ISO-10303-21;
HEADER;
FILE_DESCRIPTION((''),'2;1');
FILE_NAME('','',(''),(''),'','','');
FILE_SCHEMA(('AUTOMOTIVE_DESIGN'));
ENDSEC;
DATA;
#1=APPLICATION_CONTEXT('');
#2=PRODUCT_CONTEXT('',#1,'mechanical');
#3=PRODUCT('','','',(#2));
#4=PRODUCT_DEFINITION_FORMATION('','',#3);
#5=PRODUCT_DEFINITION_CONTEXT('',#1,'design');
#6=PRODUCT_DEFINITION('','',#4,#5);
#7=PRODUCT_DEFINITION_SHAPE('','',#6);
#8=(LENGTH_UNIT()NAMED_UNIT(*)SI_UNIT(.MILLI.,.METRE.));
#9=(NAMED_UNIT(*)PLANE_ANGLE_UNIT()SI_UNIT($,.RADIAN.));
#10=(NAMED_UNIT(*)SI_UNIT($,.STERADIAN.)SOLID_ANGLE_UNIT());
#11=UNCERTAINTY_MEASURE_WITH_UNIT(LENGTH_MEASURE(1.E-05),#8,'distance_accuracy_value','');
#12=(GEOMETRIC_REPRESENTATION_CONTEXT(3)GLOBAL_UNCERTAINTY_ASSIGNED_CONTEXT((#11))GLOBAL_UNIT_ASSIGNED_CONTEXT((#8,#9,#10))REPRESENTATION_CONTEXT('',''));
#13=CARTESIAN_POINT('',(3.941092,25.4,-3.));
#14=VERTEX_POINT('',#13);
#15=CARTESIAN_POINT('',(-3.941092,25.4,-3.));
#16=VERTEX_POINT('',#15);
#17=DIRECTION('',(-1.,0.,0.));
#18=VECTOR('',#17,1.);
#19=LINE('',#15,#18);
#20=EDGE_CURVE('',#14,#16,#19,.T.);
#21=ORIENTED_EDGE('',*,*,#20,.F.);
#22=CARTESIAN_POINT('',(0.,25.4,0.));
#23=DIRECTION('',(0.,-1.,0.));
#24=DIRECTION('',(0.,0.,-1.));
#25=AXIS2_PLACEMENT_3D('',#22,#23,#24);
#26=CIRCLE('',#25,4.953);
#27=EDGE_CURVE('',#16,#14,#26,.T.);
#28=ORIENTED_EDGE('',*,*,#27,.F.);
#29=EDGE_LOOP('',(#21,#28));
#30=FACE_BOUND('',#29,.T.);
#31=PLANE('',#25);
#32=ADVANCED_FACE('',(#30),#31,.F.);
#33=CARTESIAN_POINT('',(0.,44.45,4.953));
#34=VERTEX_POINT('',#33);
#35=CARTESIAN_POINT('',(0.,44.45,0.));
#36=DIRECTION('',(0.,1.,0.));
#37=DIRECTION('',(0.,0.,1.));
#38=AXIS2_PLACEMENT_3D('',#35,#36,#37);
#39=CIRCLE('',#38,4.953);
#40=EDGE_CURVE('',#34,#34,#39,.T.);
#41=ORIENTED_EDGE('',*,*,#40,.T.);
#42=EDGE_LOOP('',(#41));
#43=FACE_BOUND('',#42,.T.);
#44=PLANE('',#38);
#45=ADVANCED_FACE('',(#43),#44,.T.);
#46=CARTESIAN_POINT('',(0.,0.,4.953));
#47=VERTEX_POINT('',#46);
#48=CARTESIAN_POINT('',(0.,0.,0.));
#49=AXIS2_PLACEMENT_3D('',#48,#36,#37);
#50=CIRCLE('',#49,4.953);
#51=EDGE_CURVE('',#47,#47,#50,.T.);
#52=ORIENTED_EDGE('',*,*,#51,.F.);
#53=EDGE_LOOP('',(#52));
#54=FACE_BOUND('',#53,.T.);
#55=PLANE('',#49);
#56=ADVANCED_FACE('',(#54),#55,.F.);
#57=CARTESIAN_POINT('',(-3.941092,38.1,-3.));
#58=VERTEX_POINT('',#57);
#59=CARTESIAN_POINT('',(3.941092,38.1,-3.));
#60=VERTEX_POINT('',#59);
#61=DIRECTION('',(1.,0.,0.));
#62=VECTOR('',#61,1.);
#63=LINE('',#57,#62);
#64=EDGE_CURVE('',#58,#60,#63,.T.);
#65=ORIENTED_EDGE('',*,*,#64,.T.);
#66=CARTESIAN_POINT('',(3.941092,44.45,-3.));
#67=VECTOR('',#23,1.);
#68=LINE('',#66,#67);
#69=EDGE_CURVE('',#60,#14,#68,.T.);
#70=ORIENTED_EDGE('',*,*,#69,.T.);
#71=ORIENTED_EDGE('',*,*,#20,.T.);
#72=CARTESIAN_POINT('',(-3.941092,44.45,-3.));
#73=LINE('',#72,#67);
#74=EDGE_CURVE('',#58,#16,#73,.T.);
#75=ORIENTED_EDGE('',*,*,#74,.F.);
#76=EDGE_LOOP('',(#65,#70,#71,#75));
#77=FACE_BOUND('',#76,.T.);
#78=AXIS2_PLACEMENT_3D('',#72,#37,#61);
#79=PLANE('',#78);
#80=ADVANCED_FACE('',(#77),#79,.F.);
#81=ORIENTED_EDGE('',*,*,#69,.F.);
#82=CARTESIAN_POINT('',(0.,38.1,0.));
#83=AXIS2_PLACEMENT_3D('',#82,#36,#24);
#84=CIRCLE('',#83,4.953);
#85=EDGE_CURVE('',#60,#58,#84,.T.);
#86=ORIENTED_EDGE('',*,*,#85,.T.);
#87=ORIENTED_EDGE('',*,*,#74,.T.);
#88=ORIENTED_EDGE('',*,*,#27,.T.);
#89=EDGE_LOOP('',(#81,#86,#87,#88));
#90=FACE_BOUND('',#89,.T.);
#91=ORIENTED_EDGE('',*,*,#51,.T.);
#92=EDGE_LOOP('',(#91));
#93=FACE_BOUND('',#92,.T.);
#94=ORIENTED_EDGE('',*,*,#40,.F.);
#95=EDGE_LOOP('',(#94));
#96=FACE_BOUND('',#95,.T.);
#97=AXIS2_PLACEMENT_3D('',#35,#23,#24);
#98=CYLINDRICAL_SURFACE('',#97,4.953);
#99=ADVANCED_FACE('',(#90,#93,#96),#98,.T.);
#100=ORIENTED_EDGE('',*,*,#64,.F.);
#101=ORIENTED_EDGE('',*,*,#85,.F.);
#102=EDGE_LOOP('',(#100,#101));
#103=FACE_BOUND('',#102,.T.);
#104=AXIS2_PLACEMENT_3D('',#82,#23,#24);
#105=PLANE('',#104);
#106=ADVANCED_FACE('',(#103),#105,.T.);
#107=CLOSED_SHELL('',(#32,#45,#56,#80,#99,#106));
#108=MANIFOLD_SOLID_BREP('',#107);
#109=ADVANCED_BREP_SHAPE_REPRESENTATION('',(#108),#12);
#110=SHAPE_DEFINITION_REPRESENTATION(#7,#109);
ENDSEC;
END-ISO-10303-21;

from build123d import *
from build123d.topology import SkipClean

# Parameters (mm, degrees)
BOSS_EXTRUDE1_DEPTH = 44.45
BOSS_EXTRUDE2_DEPTH = 25.4
BOSS_EXTRUDE3_START = -6.35
BOSS_EXTRUDE3_DEPTH = 6.35


with BuildPart() as part:
    # Sketch1 → Boss-Extrude1 (new body)
    with BuildSketch(Plane(origin=(0, 0, 0), x_dir=(1, 0, 0), z_dir=(0, 1, 0))):
        with BuildLine():
            Line((-3.941092361, 3), (3.941092361, 3))
            ThreePointArc((3.941092361, 3), (0, -4.953), (-3.941092361, 3))
        make_face()
    extrude(amount=BOSS_EXTRUDE1_DEPTH)

    # Sketch3 → Boss-Extrude2 (add)
    with SkipClean():  # the faces are left unmerged after this step: merging them gives an invalid solid
        with BuildSketch(Plane.XZ):
            with BuildLine():
                Line((-3.941092361, -3), (3.941092361, -3))
                ThreePointArc((3.941092361, -3), (0, -4.953), (-3.941092361, -3))
            make_face()
        extrude(amount=-BOSS_EXTRUDE2_DEPTH)

    # Sketch4 → Boss-Extrude3 (add)
    with SkipClean():  # the faces are left unmerged after this step: merging them gives an invalid solid
        with BuildSketch(Plane(origin=(0, 44.45, 0), x_dir=(1, 0, 0), z_dir=(0, 1, 0)).offset(BOSS_EXTRUDE3_START)):
            with BuildLine():
                Line((-3.941092361, 3), (3.941092361, 3))
                ThreePointArc((3.941092361, 3), (0, 4.953), (-3.941092361, 3))
            make_face()
        extrude(amount=BOSS_EXTRUDE3_DEPTH)


solid = part.part
